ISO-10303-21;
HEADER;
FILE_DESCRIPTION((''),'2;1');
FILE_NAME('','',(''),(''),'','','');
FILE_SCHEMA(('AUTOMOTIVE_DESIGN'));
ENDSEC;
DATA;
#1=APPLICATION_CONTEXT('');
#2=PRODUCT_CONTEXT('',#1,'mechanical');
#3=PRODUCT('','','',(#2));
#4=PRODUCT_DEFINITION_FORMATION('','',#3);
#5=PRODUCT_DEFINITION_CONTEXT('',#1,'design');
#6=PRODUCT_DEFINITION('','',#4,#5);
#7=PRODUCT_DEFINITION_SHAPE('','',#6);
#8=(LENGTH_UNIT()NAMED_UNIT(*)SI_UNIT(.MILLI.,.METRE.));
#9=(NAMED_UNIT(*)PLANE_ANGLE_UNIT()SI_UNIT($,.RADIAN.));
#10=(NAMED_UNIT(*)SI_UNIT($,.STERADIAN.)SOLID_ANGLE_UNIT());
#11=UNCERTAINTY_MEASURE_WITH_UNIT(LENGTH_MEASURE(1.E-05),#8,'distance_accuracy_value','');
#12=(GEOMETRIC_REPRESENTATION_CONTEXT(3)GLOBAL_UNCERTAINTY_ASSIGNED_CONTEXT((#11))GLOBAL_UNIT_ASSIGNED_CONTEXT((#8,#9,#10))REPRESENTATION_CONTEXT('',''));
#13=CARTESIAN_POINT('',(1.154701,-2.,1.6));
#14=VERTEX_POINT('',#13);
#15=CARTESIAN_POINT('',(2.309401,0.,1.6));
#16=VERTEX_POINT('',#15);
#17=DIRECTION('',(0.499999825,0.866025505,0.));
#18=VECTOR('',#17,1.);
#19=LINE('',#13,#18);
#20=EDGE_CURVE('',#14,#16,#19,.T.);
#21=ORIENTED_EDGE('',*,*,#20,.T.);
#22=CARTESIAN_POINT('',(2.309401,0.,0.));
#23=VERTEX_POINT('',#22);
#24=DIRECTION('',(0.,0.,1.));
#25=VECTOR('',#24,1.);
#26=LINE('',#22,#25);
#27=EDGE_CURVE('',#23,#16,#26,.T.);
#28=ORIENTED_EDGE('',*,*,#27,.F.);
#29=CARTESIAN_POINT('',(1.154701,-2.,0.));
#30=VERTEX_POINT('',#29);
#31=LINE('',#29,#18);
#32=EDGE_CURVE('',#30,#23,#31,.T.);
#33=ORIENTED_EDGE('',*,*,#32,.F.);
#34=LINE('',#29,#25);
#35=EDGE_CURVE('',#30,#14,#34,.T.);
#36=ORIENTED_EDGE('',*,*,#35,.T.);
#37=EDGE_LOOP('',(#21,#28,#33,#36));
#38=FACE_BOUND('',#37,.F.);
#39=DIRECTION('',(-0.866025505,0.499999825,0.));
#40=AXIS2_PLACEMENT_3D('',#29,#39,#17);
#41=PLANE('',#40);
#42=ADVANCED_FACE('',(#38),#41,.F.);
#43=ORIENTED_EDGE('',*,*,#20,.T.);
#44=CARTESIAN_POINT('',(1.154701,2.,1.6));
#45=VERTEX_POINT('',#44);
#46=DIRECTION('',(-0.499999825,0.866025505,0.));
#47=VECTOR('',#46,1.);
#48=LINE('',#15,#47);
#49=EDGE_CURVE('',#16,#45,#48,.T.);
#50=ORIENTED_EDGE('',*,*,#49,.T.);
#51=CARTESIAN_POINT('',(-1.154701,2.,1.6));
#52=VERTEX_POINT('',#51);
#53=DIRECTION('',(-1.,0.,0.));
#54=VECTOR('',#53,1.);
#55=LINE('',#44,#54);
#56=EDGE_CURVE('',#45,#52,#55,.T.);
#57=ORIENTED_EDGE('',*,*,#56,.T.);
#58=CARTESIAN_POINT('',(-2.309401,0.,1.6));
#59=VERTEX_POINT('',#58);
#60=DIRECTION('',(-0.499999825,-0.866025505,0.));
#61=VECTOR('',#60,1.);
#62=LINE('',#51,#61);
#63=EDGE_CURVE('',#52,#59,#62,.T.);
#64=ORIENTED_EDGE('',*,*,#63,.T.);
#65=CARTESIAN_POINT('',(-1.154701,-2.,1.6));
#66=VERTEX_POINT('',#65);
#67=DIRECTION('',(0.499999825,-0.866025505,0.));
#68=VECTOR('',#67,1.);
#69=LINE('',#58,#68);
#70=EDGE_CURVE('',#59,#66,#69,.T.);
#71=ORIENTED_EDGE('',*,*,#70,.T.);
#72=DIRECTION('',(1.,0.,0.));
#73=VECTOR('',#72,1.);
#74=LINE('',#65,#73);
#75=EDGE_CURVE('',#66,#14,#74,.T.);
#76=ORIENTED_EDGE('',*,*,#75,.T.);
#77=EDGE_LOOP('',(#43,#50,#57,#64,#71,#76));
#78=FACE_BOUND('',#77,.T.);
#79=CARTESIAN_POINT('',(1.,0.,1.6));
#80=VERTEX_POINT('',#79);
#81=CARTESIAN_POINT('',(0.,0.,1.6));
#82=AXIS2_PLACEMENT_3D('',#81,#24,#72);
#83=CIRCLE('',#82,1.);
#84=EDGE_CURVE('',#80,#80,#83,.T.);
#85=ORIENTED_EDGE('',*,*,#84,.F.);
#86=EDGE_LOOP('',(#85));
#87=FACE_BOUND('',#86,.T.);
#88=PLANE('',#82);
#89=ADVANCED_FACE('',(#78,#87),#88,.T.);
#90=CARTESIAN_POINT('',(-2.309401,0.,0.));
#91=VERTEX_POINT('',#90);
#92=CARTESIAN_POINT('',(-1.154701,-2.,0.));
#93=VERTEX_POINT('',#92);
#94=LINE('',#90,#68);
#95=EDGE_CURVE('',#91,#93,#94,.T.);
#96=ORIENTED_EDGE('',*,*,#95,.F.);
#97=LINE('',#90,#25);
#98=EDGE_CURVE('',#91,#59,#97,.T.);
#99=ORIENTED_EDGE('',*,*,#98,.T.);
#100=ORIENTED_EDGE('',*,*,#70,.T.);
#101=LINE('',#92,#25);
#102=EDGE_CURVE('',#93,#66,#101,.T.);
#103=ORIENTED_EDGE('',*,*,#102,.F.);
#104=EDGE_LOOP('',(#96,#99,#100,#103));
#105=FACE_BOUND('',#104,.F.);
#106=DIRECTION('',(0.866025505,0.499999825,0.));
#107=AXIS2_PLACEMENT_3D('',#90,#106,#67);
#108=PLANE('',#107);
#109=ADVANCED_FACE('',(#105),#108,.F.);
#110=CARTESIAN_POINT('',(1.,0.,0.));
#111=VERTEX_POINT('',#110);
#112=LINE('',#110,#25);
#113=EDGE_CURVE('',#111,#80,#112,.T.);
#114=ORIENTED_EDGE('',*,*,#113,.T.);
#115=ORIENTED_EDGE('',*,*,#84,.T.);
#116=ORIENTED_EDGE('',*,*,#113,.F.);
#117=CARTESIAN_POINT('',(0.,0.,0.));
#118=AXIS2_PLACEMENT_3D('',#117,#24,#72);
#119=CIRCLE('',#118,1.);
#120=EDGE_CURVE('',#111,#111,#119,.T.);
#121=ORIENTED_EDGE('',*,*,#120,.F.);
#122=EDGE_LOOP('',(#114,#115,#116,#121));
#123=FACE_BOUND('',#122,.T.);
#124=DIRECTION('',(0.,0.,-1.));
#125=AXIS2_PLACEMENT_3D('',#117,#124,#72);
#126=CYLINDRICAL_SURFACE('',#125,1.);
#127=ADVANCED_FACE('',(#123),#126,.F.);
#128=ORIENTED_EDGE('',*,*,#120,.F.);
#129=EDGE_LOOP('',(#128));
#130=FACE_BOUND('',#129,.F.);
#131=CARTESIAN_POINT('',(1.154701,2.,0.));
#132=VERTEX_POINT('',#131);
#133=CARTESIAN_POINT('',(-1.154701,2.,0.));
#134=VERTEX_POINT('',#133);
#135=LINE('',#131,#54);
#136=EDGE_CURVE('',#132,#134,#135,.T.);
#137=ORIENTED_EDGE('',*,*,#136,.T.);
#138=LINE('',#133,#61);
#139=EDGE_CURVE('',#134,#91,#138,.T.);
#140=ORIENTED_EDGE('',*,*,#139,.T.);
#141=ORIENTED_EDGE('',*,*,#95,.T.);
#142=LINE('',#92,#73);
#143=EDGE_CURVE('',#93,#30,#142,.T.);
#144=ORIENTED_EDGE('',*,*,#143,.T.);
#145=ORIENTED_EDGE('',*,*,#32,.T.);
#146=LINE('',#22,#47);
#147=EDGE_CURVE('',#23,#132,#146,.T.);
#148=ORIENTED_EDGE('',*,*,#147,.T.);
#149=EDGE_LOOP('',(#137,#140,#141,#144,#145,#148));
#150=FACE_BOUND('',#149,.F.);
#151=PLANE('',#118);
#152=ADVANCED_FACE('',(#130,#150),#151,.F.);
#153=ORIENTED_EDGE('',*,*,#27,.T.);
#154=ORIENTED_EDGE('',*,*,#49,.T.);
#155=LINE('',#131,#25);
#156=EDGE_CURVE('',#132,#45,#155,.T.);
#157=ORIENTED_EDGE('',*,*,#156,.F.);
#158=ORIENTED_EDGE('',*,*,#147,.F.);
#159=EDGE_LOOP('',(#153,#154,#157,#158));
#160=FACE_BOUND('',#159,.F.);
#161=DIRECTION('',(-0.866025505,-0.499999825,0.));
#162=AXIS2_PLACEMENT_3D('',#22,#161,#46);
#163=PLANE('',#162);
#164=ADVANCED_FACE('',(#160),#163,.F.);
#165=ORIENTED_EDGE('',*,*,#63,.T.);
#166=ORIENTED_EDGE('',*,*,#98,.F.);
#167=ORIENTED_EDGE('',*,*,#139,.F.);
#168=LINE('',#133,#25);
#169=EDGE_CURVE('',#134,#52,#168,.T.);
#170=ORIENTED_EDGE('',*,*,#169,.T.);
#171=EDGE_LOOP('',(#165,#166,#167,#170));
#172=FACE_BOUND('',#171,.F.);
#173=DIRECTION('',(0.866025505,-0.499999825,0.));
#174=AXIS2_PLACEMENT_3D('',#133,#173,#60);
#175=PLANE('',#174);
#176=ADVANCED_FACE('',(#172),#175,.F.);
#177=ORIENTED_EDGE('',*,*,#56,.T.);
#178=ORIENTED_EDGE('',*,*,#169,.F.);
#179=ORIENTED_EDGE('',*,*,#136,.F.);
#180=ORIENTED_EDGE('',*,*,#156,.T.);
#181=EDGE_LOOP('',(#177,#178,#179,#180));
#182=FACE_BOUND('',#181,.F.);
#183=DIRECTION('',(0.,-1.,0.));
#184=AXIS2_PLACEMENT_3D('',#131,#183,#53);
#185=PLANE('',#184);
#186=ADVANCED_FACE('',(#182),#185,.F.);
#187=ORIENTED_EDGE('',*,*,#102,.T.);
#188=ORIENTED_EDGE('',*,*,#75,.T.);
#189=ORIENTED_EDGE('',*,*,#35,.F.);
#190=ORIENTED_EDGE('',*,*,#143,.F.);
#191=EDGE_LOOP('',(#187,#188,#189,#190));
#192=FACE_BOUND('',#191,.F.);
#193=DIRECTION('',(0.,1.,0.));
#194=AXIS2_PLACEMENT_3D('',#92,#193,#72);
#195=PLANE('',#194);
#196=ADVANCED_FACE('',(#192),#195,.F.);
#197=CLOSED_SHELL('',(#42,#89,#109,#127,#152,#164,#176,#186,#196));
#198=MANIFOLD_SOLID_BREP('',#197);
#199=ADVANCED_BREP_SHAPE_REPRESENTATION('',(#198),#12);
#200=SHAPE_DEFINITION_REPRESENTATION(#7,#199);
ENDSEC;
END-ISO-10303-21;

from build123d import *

# Parameters (mm, degrees)
SKETCH_R  = 1
PAD_DEPTH = 1.6


with BuildPart() as part:
    # Sketch → Pad (new body)
    with BuildSketch(Plane.XY):
        Polygon((-1.154701, 2), (-2.309401, 0), (-1.154701, -2), (1.154701, -2), (2.309401, 0), (1.154701, 2), align=None)
        Circle(SKETCH_R, mode=Mode.SUBTRACT)
    extrude(amount=PAD_DEPTH)


solid = part.part
